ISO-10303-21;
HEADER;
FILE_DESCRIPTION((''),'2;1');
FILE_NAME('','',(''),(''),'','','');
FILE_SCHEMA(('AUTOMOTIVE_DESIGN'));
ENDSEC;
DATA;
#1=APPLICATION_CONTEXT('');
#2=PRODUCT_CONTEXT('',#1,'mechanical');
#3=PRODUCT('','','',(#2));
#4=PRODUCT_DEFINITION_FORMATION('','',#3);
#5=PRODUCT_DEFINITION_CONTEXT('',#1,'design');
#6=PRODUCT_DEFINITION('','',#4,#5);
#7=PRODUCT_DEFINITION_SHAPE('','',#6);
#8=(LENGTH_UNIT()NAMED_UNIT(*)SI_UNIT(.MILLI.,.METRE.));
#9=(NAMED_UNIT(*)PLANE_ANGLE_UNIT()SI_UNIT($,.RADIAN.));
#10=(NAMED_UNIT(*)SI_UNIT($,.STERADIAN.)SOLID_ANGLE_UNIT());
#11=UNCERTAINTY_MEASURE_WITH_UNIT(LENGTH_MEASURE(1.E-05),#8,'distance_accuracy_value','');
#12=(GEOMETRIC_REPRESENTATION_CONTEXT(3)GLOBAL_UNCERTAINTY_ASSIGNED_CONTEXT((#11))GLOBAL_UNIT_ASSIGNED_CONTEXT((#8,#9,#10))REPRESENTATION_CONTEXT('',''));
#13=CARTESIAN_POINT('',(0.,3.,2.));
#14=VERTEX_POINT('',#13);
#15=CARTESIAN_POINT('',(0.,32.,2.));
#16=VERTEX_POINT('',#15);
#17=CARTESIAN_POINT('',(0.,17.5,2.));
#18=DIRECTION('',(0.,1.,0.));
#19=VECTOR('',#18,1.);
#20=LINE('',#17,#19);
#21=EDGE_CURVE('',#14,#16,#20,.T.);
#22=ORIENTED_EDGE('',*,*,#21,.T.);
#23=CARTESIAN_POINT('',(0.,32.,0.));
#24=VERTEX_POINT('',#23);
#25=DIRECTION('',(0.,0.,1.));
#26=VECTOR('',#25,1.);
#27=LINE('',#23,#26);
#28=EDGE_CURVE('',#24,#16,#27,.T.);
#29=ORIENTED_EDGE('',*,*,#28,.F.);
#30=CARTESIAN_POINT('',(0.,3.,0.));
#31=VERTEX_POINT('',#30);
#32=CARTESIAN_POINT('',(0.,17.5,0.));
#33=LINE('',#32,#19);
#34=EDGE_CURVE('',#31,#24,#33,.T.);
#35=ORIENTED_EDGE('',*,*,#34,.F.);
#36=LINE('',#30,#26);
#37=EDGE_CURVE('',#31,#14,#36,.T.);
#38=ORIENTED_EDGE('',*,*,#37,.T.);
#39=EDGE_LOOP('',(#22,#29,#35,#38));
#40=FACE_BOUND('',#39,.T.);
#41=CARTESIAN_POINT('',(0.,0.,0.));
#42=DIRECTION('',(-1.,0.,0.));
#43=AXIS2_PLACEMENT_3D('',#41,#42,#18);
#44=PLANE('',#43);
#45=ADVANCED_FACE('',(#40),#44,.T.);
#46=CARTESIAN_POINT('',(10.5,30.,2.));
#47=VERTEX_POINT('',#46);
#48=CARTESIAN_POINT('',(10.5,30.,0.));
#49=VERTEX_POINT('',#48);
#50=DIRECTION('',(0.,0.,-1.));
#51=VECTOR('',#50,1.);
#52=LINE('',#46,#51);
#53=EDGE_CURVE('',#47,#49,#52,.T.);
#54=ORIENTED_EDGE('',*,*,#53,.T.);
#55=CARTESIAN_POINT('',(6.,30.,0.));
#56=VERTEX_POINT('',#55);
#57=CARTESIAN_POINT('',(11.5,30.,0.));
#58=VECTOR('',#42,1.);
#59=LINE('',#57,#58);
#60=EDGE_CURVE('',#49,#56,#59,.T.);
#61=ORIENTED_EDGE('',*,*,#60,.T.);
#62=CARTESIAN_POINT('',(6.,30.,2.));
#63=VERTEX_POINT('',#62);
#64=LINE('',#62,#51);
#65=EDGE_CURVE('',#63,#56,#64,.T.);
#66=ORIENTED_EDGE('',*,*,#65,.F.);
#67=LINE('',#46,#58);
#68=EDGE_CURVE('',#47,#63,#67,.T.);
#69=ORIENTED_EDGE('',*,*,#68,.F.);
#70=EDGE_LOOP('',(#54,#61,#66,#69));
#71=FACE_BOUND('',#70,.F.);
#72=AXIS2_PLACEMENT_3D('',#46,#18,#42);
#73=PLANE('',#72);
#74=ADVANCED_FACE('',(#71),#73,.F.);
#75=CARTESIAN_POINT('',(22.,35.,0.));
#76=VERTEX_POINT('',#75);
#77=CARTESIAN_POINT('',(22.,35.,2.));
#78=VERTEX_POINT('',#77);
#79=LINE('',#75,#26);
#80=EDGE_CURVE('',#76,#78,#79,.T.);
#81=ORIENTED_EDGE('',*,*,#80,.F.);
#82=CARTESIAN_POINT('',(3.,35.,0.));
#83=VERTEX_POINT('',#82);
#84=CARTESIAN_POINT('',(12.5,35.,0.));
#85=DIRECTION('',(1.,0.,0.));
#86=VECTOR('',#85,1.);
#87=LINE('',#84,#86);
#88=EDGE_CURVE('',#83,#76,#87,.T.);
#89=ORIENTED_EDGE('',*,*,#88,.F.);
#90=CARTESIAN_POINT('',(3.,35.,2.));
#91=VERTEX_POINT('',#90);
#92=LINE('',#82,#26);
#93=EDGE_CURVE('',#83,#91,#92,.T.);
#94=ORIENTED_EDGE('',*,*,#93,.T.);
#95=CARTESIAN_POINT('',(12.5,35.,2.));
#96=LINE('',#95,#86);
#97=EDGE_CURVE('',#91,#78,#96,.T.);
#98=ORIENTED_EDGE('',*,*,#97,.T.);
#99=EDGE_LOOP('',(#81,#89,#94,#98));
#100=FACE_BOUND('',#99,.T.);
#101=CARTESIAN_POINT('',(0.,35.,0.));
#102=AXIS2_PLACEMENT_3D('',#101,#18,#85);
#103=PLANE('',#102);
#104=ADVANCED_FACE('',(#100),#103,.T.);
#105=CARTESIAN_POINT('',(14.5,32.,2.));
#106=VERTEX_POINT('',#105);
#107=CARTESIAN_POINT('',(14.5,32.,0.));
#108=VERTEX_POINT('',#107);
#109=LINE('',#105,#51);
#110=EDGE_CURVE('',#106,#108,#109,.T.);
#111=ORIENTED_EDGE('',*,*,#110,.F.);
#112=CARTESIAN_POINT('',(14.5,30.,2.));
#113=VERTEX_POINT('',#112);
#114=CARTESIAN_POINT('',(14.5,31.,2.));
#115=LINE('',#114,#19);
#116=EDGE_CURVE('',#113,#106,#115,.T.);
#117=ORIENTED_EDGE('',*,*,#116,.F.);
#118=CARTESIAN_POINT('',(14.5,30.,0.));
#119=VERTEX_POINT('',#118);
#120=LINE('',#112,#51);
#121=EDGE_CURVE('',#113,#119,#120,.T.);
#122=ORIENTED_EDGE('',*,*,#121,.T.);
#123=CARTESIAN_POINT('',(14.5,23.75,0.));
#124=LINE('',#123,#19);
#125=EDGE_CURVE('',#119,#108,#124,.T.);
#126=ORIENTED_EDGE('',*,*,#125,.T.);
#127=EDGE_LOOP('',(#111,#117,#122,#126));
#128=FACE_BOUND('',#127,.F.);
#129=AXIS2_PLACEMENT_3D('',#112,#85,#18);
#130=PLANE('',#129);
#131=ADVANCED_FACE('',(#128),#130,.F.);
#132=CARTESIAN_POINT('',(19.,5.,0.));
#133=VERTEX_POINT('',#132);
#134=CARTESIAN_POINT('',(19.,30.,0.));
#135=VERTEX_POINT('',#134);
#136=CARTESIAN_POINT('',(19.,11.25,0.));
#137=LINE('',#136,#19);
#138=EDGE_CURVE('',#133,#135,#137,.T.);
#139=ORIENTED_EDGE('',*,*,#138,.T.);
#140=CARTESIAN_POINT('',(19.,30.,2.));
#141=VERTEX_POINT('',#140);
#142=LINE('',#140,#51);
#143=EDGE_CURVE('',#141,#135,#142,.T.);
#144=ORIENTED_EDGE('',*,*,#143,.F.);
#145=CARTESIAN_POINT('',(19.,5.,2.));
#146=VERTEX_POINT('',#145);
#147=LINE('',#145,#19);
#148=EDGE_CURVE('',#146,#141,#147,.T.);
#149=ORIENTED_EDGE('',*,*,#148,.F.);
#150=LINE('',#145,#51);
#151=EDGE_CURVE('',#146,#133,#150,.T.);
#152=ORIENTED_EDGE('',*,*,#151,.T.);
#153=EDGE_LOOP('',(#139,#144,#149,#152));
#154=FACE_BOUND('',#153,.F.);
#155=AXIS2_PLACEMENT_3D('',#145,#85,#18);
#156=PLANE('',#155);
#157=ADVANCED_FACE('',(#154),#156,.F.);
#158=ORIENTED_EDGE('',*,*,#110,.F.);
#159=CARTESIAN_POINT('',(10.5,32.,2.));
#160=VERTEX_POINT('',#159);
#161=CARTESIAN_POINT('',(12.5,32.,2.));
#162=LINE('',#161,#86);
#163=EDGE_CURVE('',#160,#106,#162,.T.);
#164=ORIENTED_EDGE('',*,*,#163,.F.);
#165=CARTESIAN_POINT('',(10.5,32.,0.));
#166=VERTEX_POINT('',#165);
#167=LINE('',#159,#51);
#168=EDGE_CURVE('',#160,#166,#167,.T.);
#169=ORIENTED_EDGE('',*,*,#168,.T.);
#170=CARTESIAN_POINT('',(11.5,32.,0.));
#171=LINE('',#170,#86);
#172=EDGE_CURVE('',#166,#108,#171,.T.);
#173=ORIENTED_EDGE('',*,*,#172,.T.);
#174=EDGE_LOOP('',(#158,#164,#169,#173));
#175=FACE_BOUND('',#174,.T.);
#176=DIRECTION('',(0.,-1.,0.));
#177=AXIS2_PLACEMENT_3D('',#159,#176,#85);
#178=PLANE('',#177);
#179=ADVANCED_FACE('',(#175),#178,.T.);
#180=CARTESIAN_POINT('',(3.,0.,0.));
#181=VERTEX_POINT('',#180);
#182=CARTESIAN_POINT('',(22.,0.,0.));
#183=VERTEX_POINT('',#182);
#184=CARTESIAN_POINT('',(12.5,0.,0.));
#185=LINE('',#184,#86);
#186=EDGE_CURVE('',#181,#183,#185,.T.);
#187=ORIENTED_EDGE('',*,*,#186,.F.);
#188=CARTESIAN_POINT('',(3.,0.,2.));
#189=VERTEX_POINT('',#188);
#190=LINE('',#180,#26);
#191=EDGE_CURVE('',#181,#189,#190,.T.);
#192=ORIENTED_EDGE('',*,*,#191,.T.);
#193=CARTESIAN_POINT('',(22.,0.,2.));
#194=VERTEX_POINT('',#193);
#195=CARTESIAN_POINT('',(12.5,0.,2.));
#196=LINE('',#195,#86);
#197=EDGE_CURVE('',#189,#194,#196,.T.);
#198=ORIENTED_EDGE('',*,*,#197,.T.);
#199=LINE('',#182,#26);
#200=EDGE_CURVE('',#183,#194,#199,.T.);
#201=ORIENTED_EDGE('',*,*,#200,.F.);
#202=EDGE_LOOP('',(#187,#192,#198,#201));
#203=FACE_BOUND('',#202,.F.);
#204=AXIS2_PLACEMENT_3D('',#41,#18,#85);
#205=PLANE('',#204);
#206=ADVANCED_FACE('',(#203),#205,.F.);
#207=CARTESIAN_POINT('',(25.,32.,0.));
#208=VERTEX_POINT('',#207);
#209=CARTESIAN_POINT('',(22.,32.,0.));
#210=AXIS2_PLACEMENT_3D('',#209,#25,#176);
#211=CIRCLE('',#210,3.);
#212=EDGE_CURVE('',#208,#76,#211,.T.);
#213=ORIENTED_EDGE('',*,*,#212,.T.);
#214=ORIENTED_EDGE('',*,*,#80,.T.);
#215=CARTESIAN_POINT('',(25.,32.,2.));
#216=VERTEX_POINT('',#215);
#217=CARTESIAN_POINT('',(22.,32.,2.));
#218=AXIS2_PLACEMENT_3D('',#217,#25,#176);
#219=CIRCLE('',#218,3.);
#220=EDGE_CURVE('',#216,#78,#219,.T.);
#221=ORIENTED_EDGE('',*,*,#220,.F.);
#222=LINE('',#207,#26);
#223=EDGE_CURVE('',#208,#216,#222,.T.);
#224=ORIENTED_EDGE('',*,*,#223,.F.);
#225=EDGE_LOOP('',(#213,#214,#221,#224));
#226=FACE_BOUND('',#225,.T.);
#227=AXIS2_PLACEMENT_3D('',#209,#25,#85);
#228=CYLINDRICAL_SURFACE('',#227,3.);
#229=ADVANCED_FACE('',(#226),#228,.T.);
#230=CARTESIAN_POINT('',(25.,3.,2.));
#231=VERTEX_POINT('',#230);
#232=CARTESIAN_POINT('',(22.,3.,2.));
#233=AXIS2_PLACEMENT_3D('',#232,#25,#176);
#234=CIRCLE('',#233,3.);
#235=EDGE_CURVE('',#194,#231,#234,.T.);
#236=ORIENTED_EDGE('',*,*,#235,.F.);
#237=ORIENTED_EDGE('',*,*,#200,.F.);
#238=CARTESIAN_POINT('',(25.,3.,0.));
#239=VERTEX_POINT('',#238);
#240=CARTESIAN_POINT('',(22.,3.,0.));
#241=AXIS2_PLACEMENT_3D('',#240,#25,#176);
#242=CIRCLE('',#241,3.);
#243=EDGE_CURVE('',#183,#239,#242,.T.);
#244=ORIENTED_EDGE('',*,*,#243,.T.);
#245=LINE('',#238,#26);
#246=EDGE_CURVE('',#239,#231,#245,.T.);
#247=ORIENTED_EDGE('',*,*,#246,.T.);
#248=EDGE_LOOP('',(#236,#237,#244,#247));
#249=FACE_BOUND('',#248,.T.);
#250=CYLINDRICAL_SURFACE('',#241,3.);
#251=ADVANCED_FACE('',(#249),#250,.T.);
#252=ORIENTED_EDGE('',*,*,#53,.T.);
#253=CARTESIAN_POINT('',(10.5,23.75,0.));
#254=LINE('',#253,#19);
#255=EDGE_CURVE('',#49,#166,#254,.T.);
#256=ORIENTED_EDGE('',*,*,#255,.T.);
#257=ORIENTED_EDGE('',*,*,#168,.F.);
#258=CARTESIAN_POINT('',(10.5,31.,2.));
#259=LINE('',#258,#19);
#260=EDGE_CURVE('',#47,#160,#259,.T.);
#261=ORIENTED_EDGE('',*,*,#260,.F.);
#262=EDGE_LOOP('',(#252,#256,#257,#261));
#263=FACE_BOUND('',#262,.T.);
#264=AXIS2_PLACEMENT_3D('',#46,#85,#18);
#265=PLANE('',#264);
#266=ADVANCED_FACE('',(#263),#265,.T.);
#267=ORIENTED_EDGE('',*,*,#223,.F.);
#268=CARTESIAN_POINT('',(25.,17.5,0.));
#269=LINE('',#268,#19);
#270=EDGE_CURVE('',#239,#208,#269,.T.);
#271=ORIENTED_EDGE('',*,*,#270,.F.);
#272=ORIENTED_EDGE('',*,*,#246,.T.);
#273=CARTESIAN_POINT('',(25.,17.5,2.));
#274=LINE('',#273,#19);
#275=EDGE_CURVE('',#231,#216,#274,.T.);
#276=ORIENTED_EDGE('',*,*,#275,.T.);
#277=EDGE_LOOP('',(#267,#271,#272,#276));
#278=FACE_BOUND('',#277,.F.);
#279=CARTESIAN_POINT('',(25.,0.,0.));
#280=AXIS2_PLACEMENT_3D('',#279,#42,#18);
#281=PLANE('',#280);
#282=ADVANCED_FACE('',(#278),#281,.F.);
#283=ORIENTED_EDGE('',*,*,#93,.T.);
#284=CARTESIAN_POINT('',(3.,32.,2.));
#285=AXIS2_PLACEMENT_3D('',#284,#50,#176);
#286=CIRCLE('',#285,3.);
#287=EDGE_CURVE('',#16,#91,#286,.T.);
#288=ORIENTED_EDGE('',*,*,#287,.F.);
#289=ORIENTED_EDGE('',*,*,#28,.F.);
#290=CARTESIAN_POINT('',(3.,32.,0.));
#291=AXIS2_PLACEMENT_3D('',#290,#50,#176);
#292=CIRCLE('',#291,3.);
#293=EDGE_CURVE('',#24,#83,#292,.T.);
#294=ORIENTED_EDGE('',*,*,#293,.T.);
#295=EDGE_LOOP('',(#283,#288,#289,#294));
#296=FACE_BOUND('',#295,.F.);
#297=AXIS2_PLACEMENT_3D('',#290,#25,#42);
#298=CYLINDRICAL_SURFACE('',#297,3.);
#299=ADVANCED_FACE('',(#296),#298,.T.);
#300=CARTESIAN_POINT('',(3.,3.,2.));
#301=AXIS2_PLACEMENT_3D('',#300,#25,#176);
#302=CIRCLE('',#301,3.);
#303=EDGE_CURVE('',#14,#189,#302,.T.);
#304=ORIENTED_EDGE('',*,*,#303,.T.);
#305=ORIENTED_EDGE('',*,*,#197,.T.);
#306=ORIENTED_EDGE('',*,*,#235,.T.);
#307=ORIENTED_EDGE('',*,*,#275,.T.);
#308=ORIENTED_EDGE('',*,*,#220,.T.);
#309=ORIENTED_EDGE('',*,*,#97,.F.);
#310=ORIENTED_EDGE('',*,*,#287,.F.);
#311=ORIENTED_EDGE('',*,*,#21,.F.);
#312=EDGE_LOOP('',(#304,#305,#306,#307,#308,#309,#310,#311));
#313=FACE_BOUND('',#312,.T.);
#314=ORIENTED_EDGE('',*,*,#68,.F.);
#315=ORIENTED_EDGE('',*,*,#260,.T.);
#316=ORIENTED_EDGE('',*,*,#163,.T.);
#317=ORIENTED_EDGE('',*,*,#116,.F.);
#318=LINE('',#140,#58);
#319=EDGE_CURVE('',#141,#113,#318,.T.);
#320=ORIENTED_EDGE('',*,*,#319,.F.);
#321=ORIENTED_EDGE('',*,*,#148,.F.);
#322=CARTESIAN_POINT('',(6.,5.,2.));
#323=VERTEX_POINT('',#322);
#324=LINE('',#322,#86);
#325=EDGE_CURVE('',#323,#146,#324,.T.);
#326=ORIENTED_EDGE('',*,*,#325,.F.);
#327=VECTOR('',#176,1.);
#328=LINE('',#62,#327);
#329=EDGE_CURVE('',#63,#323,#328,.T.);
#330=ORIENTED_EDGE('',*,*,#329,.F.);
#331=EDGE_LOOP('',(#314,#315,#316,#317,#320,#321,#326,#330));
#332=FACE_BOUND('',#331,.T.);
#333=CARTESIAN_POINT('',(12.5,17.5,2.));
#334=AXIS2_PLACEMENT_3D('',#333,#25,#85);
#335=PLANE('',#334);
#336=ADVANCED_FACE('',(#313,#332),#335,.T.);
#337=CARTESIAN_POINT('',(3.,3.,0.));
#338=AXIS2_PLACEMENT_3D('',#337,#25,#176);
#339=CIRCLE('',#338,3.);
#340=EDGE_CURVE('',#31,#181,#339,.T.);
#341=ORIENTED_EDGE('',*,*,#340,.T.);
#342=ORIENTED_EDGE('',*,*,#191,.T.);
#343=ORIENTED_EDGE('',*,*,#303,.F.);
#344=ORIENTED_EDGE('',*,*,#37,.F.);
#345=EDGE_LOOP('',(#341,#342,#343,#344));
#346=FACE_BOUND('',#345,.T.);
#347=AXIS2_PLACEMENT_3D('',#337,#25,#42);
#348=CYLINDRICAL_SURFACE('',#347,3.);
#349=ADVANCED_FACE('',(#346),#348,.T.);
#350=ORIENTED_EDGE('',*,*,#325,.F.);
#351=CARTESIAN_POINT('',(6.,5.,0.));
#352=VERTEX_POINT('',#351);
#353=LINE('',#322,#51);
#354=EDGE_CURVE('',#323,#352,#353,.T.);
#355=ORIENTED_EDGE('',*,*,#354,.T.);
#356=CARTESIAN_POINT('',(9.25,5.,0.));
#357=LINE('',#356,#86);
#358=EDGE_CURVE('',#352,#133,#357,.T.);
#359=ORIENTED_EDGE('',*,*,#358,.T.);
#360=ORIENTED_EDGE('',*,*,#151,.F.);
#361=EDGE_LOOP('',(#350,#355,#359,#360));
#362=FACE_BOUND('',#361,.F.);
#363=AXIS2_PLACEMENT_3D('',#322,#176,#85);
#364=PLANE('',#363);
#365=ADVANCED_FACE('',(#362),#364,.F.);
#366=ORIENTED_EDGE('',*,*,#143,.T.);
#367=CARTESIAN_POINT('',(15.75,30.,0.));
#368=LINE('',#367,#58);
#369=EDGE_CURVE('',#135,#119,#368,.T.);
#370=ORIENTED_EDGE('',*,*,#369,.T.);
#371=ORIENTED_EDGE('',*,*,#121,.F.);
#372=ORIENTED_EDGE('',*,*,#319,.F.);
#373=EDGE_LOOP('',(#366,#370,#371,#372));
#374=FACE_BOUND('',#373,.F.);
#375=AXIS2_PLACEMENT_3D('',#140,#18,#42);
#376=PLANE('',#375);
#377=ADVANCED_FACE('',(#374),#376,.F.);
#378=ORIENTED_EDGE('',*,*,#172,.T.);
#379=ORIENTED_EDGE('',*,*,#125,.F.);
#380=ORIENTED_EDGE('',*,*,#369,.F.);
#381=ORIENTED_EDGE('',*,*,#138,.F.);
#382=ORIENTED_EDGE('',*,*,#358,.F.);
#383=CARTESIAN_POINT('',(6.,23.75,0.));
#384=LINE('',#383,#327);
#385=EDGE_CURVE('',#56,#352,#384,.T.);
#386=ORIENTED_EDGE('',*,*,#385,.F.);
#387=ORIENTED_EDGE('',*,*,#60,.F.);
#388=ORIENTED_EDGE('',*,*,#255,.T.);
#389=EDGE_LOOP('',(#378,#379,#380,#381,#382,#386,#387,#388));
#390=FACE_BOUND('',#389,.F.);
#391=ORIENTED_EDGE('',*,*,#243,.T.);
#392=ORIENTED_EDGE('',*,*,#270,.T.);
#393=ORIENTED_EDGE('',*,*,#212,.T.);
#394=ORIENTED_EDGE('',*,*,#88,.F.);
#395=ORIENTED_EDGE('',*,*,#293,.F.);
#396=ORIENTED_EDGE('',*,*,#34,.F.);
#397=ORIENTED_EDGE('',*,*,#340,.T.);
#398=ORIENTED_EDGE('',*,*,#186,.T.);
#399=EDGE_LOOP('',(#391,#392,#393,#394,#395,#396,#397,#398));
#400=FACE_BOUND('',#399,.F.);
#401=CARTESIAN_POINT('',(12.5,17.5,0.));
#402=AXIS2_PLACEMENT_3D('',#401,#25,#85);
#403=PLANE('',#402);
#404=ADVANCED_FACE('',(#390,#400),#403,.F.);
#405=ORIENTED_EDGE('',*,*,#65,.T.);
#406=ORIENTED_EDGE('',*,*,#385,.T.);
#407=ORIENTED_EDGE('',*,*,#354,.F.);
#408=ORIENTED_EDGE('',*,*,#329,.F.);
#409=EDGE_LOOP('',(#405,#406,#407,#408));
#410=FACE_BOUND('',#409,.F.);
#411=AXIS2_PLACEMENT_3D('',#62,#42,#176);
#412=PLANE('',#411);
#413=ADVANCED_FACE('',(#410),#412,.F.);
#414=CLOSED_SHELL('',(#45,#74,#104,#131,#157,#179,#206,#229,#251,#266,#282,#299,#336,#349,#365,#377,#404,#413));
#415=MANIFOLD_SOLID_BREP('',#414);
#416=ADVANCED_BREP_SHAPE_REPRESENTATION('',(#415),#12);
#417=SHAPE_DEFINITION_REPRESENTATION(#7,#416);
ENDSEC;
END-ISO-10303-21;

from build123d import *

# Parameters (mm, degrees)
F0_W     = 25
F0_H     = 35
F1_DEPTH = 2
F2_R     = 3
F3_W     = 4
F3_H     = 2
F4_DEPTH = 100


with BuildPart() as f1:
    # F0 (on Top) → F1 (new body)
    with BuildSketch(Plane.XY):
        with Locations((12.5, 17.5)):
            Rectangle(F0_W, F0_H)
    extrude(amount=F1_DEPTH)

    # F2
    f2_edges = [f1.edges().sort_by_distance(p)[0] for p in [
        (25, 35, 1),
        (0, 35, 1),
        (25, 0, 1),
        (0, 0, 1),
    ]]
    fillet(f2_edges, radius=F2_R)

    # F3 (on face) → F4 (cut)
    with BuildSketch(Plane.XY.offset(2)):
        Polygon((10.5, 30), (6, 30), (6, 5), (19, 5), (19, 30), (14.5, 30), (14.5, 28), (10.5, 28), align=None)
        with Locations((12.5, 31)):
            Rectangle(F3_W, F3_H)
        with Locations((12.5, 29)):
            Rectangle(F3_W, F3_H)
    extrude(amount=-F4_DEPTH, mode=Mode.SUBTRACT)


solid = f1.part
